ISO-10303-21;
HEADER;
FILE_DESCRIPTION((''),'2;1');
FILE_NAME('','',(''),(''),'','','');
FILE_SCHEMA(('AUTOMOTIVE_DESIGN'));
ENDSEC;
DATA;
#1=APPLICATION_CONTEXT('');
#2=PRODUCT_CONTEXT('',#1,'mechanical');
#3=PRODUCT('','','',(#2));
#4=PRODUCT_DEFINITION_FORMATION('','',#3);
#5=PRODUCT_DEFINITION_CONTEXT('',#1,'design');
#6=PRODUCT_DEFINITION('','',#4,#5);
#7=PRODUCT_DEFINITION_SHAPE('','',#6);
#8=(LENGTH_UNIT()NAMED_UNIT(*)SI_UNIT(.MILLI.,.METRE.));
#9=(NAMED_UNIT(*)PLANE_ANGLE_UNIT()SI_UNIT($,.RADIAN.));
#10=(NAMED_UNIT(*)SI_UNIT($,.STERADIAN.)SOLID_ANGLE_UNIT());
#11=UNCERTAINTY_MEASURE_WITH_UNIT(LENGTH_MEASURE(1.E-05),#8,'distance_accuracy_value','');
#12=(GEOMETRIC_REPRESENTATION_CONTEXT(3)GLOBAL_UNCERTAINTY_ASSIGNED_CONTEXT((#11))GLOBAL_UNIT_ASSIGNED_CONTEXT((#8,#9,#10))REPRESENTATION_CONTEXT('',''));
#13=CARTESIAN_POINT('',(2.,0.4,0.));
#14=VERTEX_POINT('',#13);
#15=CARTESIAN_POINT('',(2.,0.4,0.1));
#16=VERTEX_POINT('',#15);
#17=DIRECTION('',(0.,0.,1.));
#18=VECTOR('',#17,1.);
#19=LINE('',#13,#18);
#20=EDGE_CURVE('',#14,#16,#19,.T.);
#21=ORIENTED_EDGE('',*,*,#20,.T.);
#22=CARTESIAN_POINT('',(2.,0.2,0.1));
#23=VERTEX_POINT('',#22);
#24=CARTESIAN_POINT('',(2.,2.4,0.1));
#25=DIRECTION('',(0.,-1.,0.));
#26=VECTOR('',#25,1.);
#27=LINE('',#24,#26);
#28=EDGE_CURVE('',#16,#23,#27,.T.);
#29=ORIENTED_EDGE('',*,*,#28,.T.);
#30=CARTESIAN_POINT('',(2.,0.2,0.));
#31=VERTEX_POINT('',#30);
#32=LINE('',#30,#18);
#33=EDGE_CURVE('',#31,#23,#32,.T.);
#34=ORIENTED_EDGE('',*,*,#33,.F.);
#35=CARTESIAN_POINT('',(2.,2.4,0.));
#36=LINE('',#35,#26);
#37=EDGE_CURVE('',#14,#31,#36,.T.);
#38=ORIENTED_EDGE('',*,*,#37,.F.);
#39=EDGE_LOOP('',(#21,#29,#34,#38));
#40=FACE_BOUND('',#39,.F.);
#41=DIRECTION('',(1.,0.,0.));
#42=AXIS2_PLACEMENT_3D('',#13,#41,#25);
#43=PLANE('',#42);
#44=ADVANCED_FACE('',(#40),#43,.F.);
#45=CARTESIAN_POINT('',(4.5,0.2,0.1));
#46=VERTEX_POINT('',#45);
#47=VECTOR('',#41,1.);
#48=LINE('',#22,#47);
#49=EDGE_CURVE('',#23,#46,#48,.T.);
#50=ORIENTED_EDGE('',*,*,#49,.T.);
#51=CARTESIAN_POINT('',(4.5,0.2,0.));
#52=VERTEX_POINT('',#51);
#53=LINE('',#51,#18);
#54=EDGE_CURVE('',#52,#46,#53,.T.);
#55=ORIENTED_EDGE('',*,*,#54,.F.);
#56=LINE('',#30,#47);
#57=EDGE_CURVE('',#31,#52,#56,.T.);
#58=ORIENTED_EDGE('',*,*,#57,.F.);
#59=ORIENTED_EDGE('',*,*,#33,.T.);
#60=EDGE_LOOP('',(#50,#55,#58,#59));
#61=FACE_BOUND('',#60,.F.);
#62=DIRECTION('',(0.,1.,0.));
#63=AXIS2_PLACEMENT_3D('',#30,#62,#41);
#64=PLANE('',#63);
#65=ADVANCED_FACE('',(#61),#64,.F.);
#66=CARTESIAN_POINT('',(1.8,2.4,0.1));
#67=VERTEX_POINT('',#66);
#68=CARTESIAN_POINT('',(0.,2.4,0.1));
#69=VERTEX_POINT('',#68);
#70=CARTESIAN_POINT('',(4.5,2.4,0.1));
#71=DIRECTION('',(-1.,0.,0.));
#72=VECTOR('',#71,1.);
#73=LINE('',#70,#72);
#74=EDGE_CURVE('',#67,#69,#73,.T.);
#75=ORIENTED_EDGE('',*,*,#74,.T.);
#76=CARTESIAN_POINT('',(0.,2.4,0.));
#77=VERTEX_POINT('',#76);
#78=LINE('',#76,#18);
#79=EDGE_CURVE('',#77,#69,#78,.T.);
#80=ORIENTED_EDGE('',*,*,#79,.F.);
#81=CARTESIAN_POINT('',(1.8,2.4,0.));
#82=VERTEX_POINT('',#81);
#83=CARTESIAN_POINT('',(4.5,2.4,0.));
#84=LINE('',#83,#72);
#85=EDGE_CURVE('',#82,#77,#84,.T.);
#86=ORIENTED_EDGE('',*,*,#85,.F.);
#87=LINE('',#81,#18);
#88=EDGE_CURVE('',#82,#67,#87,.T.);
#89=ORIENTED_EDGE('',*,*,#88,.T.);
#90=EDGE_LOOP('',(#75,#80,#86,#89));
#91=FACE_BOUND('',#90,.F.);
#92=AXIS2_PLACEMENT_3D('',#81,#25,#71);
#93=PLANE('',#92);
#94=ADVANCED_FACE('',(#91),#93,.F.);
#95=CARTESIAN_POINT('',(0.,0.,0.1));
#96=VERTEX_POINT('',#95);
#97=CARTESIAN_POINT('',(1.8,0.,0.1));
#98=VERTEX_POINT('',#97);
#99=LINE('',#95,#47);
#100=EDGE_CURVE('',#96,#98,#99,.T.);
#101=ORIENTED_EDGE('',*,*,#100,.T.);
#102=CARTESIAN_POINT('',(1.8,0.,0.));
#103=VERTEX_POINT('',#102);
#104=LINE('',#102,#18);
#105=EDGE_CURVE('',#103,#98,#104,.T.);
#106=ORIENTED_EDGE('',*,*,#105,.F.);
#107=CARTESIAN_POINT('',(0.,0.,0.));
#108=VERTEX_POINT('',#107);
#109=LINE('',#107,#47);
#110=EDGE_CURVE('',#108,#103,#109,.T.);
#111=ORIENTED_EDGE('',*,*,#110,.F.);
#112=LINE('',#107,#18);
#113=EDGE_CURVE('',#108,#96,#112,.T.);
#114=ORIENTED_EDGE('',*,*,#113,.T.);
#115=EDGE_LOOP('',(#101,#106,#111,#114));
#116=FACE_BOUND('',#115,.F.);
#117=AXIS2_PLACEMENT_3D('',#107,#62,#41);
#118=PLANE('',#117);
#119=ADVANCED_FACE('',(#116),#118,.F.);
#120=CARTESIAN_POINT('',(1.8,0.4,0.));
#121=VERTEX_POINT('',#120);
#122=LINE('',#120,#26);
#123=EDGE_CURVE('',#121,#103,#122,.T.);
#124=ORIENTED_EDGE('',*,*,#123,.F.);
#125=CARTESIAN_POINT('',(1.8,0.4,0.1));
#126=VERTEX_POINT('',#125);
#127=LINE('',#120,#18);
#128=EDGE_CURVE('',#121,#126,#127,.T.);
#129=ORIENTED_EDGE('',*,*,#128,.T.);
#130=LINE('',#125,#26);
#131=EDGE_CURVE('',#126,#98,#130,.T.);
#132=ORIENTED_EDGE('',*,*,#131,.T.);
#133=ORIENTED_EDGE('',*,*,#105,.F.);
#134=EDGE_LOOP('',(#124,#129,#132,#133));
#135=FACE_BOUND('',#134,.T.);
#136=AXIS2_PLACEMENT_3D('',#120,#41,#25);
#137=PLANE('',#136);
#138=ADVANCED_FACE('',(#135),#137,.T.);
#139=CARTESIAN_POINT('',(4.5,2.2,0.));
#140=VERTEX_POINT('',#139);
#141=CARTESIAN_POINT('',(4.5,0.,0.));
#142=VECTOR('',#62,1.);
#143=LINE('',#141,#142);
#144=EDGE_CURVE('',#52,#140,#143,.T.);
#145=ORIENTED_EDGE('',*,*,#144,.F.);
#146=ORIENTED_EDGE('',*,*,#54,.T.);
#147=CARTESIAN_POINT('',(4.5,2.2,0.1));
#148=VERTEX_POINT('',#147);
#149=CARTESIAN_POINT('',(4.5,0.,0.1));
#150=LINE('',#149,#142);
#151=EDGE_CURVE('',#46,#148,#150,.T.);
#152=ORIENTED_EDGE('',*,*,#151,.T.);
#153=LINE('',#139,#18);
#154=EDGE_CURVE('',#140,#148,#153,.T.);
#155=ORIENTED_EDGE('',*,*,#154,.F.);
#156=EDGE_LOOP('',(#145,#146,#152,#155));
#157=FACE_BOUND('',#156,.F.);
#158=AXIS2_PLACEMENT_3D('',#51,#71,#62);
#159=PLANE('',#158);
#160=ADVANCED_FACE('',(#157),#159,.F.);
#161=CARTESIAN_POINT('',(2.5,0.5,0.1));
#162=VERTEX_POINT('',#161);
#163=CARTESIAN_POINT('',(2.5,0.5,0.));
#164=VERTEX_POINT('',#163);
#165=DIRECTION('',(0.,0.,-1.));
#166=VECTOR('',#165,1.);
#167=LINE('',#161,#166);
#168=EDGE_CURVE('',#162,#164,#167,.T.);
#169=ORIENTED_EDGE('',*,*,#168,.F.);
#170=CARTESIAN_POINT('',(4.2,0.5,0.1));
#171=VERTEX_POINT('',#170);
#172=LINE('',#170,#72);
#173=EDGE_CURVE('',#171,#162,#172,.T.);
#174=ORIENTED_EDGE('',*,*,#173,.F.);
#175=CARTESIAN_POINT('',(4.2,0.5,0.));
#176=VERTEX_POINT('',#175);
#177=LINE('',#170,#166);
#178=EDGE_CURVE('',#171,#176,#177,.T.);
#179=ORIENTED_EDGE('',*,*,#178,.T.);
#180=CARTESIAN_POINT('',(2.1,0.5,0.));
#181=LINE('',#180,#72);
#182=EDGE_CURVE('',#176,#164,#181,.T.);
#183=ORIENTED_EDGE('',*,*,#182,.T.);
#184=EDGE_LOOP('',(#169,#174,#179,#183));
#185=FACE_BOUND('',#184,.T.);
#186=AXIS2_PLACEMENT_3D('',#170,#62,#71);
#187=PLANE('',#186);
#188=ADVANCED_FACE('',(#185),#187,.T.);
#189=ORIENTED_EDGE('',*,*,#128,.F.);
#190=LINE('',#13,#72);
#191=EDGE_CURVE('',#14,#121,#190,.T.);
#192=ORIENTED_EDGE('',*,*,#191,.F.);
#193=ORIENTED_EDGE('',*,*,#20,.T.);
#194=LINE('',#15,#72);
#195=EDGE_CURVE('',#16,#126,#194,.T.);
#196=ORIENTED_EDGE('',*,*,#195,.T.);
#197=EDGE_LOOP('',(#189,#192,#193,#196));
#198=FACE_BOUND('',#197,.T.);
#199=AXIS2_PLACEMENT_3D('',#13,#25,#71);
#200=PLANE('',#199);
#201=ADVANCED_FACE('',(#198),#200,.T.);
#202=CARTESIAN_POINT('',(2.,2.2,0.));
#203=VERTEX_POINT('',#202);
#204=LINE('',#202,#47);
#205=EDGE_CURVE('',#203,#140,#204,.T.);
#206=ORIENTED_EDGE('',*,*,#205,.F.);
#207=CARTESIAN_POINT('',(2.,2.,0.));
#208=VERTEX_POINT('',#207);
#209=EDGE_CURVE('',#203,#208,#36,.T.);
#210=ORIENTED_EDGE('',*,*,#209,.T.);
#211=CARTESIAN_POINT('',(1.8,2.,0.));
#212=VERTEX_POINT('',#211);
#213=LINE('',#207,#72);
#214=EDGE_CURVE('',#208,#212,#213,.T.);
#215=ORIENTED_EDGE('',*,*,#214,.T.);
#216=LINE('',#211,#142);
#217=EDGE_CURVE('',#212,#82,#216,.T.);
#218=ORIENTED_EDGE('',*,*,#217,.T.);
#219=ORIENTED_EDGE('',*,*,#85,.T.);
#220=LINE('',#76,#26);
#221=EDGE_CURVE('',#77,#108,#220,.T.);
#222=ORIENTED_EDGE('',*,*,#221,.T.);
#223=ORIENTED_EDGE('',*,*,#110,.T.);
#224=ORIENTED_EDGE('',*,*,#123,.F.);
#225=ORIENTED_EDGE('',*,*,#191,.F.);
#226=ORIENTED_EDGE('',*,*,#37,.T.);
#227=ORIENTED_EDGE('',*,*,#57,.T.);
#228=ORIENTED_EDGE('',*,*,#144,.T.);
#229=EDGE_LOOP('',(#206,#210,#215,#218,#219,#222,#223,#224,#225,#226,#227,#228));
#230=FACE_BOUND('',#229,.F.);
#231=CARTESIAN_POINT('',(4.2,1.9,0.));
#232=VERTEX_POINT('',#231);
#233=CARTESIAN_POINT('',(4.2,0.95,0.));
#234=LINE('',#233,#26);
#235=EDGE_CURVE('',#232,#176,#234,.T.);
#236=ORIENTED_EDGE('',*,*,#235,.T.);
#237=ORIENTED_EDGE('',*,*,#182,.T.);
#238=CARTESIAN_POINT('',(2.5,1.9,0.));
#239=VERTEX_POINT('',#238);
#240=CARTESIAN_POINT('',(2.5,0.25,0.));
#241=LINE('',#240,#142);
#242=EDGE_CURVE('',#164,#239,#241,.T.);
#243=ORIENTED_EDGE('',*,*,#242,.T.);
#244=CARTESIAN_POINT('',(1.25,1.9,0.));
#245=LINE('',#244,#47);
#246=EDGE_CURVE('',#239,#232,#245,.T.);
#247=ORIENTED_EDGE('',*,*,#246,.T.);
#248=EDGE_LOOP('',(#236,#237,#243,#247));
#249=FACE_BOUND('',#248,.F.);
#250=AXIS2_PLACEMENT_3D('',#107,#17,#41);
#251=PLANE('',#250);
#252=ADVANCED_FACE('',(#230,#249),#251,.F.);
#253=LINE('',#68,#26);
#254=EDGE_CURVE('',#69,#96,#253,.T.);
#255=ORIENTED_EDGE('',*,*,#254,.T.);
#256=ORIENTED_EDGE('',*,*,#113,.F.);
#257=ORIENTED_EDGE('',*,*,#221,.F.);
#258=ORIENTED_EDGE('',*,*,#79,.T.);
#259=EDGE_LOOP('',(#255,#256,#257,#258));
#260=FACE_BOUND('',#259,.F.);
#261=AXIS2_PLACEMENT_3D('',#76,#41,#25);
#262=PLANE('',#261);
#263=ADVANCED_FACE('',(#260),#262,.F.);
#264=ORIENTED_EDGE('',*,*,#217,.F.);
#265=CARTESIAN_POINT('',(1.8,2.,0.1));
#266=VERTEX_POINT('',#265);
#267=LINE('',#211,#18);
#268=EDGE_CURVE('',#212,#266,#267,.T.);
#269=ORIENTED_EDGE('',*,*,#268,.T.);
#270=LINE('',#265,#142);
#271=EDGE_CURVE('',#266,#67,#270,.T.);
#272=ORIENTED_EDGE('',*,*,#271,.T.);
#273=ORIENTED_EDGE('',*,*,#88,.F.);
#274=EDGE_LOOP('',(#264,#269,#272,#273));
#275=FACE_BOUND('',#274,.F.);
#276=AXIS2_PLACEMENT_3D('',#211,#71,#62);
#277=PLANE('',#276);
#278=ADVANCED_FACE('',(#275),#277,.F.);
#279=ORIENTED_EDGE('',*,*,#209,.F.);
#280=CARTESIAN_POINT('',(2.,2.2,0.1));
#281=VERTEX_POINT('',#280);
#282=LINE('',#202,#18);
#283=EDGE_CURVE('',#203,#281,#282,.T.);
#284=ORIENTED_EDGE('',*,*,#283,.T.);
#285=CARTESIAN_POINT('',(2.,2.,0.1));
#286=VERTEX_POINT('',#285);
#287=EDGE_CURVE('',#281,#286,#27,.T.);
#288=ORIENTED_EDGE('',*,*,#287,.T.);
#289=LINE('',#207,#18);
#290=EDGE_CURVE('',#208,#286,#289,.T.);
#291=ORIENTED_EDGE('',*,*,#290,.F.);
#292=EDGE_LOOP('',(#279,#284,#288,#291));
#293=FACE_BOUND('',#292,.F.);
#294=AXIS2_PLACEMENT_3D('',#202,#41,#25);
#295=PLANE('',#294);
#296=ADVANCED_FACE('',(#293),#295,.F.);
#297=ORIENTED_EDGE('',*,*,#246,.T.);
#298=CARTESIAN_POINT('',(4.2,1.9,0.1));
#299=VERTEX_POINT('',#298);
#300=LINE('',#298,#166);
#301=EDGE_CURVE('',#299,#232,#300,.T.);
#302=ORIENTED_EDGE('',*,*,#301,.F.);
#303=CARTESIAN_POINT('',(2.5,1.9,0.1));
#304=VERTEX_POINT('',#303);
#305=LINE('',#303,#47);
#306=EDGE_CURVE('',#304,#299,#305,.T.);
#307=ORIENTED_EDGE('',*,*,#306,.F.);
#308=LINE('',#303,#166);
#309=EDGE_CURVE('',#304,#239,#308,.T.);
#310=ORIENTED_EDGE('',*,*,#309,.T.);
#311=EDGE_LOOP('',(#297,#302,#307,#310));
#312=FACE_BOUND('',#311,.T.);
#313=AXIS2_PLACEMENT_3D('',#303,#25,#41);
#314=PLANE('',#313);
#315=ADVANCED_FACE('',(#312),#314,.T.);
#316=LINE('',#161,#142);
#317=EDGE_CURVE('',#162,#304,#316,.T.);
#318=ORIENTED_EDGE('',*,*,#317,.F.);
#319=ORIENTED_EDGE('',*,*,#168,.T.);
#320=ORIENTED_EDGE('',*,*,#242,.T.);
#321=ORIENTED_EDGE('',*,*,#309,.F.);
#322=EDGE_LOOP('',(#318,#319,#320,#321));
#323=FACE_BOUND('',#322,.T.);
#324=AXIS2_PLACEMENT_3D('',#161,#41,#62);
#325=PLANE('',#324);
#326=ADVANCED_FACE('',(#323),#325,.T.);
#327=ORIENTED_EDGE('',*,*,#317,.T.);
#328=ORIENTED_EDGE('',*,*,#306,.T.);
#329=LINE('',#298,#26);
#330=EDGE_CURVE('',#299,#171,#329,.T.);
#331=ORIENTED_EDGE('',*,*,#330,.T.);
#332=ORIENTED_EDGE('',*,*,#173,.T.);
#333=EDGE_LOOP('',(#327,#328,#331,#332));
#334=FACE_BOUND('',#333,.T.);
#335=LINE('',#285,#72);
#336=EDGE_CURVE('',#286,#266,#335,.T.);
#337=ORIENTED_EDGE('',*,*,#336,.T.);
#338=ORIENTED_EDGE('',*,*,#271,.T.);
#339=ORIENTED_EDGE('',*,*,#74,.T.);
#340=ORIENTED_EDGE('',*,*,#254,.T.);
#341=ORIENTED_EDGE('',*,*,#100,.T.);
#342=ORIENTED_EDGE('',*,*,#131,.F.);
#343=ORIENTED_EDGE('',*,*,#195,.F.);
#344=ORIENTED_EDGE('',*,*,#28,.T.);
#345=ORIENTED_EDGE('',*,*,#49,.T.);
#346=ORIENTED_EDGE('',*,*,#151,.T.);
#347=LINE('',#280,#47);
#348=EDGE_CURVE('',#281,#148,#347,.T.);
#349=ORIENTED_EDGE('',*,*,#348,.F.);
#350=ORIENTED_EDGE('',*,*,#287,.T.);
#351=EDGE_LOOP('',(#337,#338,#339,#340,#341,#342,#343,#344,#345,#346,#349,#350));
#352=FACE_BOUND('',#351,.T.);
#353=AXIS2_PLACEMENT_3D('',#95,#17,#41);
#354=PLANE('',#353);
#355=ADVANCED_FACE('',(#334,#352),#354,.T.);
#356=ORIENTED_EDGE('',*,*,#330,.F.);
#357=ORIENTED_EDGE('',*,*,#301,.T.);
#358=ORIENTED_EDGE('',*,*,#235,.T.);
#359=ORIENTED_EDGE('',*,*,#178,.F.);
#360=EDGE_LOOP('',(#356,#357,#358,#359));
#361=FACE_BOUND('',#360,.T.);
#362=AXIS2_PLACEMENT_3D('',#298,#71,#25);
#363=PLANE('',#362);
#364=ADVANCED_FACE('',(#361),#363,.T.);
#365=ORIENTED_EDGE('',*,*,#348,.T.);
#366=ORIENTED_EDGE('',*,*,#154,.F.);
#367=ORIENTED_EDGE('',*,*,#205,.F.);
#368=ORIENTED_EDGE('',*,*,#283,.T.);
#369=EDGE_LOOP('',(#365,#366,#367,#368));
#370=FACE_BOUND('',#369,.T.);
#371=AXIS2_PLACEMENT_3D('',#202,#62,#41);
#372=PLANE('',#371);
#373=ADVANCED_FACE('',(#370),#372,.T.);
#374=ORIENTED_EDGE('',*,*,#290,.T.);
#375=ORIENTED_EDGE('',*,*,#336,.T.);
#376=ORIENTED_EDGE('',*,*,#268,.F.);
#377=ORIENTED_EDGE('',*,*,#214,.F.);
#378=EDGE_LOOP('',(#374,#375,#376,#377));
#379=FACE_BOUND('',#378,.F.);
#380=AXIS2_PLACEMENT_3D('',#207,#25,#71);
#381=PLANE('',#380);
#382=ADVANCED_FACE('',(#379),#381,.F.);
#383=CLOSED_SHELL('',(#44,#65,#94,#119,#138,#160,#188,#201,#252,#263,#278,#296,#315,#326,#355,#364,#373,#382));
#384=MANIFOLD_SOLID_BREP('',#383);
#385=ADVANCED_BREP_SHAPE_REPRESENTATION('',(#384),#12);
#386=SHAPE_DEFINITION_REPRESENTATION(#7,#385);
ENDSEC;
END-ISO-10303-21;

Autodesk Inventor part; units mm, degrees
ref_plane "YZ Plane" through (0, 0, 0) normal (1, 0, 0) x (0, 1, 0)
ref_plane "XZ Plane" through (0, 0, 0) normal (0, 1, 0) x (-1, 0, 0)
ref_plane "XY Plane" through (0, 0, 0) normal (0, 0, 1) x (1, 0, 0)
sketch "Skizze1" plane through (0, 0, 0) normal (0, 0, 1) x (1, 0, 0)
  line L0 (0, 0) -> (4.5, 0)
  line L1 (4.5, 0) -> (4.5, 2.4)
  line L2 (4.5, 2.4) -> (0, 2.4)
  line L3 (0, 2.4) -> (0, 0)
  line L4 (1.8, 2.4) -> (2, 2.4)
  line L5 (2, 2.4) -> (2, 2)
  line L6 (2, 2) -> (1.8, 2)
  line L7 (1.8, 2) -> (1.8, 2.4)
  line L8 (2, 2.2) -> (4.5, 2.2)
  line L9 (2, 2.4) -> (2, 0)
  line L10 (2, 0.2) -> (4.5, 0.2)
  line L11 (1.8, 0) -> (2, 0)
  line L12 (2, 0) -> (2, 0.4)
  line L13 (2, 0.4) -> (1.8, 0.4)
  line L14 (1.8, 0.4) -> (1.8, 0)
  dimension "d0" = 4.5
  dimension "d1" = 2.4
  dimension "d4" = 2.5
  dimension "d5" = 0.2
  dimension "d6" = 0.2
  dimension "d7" = 0.2
  dimension "d8" = 0.2
  dimension "d9" = 0.4
  dimension "d10" = 0.4
extrude "Extrusion1" add sketch "Skizze1" along normal blind 0.1 contours L3 L2 L7 L6 L9 L13 L14 L0 | L9 L5 L8 L1 L10
sketch "Skizze2" plane through (0, 0, 0.1) normal (0, 0, 1) x (1, 0, 0)
  line L0 (2, 0.4) -> (2, 0.2) projected
  line L1 (2, 0.2) -> (4.5, 0.2) projected
  line L2 (4.5, 0.2) -> (4.5, 2.2) projected
  line L3 (4.5, 2.2) -> (2, 2.2) projected
  line L4 (2.5, 1.9) -> (4.2, 1.9)
  line L5 (4.2, 1.9) -> (4.2, 0.5)
  line L6 (4.2, 0.5) -> (2.5, 0.5)
  line L7 (2.5, 0.5) -> (2.5, 1.9)
  dimension "d13" = 0.3
  dimension "d14" = 0.3
  dimension "d15" = 0.3
  dimension "d16" = 0.5
extrude "Extrusion2" cut sketch "Skizze2" against normal through all
properties part number "motor_contact"
